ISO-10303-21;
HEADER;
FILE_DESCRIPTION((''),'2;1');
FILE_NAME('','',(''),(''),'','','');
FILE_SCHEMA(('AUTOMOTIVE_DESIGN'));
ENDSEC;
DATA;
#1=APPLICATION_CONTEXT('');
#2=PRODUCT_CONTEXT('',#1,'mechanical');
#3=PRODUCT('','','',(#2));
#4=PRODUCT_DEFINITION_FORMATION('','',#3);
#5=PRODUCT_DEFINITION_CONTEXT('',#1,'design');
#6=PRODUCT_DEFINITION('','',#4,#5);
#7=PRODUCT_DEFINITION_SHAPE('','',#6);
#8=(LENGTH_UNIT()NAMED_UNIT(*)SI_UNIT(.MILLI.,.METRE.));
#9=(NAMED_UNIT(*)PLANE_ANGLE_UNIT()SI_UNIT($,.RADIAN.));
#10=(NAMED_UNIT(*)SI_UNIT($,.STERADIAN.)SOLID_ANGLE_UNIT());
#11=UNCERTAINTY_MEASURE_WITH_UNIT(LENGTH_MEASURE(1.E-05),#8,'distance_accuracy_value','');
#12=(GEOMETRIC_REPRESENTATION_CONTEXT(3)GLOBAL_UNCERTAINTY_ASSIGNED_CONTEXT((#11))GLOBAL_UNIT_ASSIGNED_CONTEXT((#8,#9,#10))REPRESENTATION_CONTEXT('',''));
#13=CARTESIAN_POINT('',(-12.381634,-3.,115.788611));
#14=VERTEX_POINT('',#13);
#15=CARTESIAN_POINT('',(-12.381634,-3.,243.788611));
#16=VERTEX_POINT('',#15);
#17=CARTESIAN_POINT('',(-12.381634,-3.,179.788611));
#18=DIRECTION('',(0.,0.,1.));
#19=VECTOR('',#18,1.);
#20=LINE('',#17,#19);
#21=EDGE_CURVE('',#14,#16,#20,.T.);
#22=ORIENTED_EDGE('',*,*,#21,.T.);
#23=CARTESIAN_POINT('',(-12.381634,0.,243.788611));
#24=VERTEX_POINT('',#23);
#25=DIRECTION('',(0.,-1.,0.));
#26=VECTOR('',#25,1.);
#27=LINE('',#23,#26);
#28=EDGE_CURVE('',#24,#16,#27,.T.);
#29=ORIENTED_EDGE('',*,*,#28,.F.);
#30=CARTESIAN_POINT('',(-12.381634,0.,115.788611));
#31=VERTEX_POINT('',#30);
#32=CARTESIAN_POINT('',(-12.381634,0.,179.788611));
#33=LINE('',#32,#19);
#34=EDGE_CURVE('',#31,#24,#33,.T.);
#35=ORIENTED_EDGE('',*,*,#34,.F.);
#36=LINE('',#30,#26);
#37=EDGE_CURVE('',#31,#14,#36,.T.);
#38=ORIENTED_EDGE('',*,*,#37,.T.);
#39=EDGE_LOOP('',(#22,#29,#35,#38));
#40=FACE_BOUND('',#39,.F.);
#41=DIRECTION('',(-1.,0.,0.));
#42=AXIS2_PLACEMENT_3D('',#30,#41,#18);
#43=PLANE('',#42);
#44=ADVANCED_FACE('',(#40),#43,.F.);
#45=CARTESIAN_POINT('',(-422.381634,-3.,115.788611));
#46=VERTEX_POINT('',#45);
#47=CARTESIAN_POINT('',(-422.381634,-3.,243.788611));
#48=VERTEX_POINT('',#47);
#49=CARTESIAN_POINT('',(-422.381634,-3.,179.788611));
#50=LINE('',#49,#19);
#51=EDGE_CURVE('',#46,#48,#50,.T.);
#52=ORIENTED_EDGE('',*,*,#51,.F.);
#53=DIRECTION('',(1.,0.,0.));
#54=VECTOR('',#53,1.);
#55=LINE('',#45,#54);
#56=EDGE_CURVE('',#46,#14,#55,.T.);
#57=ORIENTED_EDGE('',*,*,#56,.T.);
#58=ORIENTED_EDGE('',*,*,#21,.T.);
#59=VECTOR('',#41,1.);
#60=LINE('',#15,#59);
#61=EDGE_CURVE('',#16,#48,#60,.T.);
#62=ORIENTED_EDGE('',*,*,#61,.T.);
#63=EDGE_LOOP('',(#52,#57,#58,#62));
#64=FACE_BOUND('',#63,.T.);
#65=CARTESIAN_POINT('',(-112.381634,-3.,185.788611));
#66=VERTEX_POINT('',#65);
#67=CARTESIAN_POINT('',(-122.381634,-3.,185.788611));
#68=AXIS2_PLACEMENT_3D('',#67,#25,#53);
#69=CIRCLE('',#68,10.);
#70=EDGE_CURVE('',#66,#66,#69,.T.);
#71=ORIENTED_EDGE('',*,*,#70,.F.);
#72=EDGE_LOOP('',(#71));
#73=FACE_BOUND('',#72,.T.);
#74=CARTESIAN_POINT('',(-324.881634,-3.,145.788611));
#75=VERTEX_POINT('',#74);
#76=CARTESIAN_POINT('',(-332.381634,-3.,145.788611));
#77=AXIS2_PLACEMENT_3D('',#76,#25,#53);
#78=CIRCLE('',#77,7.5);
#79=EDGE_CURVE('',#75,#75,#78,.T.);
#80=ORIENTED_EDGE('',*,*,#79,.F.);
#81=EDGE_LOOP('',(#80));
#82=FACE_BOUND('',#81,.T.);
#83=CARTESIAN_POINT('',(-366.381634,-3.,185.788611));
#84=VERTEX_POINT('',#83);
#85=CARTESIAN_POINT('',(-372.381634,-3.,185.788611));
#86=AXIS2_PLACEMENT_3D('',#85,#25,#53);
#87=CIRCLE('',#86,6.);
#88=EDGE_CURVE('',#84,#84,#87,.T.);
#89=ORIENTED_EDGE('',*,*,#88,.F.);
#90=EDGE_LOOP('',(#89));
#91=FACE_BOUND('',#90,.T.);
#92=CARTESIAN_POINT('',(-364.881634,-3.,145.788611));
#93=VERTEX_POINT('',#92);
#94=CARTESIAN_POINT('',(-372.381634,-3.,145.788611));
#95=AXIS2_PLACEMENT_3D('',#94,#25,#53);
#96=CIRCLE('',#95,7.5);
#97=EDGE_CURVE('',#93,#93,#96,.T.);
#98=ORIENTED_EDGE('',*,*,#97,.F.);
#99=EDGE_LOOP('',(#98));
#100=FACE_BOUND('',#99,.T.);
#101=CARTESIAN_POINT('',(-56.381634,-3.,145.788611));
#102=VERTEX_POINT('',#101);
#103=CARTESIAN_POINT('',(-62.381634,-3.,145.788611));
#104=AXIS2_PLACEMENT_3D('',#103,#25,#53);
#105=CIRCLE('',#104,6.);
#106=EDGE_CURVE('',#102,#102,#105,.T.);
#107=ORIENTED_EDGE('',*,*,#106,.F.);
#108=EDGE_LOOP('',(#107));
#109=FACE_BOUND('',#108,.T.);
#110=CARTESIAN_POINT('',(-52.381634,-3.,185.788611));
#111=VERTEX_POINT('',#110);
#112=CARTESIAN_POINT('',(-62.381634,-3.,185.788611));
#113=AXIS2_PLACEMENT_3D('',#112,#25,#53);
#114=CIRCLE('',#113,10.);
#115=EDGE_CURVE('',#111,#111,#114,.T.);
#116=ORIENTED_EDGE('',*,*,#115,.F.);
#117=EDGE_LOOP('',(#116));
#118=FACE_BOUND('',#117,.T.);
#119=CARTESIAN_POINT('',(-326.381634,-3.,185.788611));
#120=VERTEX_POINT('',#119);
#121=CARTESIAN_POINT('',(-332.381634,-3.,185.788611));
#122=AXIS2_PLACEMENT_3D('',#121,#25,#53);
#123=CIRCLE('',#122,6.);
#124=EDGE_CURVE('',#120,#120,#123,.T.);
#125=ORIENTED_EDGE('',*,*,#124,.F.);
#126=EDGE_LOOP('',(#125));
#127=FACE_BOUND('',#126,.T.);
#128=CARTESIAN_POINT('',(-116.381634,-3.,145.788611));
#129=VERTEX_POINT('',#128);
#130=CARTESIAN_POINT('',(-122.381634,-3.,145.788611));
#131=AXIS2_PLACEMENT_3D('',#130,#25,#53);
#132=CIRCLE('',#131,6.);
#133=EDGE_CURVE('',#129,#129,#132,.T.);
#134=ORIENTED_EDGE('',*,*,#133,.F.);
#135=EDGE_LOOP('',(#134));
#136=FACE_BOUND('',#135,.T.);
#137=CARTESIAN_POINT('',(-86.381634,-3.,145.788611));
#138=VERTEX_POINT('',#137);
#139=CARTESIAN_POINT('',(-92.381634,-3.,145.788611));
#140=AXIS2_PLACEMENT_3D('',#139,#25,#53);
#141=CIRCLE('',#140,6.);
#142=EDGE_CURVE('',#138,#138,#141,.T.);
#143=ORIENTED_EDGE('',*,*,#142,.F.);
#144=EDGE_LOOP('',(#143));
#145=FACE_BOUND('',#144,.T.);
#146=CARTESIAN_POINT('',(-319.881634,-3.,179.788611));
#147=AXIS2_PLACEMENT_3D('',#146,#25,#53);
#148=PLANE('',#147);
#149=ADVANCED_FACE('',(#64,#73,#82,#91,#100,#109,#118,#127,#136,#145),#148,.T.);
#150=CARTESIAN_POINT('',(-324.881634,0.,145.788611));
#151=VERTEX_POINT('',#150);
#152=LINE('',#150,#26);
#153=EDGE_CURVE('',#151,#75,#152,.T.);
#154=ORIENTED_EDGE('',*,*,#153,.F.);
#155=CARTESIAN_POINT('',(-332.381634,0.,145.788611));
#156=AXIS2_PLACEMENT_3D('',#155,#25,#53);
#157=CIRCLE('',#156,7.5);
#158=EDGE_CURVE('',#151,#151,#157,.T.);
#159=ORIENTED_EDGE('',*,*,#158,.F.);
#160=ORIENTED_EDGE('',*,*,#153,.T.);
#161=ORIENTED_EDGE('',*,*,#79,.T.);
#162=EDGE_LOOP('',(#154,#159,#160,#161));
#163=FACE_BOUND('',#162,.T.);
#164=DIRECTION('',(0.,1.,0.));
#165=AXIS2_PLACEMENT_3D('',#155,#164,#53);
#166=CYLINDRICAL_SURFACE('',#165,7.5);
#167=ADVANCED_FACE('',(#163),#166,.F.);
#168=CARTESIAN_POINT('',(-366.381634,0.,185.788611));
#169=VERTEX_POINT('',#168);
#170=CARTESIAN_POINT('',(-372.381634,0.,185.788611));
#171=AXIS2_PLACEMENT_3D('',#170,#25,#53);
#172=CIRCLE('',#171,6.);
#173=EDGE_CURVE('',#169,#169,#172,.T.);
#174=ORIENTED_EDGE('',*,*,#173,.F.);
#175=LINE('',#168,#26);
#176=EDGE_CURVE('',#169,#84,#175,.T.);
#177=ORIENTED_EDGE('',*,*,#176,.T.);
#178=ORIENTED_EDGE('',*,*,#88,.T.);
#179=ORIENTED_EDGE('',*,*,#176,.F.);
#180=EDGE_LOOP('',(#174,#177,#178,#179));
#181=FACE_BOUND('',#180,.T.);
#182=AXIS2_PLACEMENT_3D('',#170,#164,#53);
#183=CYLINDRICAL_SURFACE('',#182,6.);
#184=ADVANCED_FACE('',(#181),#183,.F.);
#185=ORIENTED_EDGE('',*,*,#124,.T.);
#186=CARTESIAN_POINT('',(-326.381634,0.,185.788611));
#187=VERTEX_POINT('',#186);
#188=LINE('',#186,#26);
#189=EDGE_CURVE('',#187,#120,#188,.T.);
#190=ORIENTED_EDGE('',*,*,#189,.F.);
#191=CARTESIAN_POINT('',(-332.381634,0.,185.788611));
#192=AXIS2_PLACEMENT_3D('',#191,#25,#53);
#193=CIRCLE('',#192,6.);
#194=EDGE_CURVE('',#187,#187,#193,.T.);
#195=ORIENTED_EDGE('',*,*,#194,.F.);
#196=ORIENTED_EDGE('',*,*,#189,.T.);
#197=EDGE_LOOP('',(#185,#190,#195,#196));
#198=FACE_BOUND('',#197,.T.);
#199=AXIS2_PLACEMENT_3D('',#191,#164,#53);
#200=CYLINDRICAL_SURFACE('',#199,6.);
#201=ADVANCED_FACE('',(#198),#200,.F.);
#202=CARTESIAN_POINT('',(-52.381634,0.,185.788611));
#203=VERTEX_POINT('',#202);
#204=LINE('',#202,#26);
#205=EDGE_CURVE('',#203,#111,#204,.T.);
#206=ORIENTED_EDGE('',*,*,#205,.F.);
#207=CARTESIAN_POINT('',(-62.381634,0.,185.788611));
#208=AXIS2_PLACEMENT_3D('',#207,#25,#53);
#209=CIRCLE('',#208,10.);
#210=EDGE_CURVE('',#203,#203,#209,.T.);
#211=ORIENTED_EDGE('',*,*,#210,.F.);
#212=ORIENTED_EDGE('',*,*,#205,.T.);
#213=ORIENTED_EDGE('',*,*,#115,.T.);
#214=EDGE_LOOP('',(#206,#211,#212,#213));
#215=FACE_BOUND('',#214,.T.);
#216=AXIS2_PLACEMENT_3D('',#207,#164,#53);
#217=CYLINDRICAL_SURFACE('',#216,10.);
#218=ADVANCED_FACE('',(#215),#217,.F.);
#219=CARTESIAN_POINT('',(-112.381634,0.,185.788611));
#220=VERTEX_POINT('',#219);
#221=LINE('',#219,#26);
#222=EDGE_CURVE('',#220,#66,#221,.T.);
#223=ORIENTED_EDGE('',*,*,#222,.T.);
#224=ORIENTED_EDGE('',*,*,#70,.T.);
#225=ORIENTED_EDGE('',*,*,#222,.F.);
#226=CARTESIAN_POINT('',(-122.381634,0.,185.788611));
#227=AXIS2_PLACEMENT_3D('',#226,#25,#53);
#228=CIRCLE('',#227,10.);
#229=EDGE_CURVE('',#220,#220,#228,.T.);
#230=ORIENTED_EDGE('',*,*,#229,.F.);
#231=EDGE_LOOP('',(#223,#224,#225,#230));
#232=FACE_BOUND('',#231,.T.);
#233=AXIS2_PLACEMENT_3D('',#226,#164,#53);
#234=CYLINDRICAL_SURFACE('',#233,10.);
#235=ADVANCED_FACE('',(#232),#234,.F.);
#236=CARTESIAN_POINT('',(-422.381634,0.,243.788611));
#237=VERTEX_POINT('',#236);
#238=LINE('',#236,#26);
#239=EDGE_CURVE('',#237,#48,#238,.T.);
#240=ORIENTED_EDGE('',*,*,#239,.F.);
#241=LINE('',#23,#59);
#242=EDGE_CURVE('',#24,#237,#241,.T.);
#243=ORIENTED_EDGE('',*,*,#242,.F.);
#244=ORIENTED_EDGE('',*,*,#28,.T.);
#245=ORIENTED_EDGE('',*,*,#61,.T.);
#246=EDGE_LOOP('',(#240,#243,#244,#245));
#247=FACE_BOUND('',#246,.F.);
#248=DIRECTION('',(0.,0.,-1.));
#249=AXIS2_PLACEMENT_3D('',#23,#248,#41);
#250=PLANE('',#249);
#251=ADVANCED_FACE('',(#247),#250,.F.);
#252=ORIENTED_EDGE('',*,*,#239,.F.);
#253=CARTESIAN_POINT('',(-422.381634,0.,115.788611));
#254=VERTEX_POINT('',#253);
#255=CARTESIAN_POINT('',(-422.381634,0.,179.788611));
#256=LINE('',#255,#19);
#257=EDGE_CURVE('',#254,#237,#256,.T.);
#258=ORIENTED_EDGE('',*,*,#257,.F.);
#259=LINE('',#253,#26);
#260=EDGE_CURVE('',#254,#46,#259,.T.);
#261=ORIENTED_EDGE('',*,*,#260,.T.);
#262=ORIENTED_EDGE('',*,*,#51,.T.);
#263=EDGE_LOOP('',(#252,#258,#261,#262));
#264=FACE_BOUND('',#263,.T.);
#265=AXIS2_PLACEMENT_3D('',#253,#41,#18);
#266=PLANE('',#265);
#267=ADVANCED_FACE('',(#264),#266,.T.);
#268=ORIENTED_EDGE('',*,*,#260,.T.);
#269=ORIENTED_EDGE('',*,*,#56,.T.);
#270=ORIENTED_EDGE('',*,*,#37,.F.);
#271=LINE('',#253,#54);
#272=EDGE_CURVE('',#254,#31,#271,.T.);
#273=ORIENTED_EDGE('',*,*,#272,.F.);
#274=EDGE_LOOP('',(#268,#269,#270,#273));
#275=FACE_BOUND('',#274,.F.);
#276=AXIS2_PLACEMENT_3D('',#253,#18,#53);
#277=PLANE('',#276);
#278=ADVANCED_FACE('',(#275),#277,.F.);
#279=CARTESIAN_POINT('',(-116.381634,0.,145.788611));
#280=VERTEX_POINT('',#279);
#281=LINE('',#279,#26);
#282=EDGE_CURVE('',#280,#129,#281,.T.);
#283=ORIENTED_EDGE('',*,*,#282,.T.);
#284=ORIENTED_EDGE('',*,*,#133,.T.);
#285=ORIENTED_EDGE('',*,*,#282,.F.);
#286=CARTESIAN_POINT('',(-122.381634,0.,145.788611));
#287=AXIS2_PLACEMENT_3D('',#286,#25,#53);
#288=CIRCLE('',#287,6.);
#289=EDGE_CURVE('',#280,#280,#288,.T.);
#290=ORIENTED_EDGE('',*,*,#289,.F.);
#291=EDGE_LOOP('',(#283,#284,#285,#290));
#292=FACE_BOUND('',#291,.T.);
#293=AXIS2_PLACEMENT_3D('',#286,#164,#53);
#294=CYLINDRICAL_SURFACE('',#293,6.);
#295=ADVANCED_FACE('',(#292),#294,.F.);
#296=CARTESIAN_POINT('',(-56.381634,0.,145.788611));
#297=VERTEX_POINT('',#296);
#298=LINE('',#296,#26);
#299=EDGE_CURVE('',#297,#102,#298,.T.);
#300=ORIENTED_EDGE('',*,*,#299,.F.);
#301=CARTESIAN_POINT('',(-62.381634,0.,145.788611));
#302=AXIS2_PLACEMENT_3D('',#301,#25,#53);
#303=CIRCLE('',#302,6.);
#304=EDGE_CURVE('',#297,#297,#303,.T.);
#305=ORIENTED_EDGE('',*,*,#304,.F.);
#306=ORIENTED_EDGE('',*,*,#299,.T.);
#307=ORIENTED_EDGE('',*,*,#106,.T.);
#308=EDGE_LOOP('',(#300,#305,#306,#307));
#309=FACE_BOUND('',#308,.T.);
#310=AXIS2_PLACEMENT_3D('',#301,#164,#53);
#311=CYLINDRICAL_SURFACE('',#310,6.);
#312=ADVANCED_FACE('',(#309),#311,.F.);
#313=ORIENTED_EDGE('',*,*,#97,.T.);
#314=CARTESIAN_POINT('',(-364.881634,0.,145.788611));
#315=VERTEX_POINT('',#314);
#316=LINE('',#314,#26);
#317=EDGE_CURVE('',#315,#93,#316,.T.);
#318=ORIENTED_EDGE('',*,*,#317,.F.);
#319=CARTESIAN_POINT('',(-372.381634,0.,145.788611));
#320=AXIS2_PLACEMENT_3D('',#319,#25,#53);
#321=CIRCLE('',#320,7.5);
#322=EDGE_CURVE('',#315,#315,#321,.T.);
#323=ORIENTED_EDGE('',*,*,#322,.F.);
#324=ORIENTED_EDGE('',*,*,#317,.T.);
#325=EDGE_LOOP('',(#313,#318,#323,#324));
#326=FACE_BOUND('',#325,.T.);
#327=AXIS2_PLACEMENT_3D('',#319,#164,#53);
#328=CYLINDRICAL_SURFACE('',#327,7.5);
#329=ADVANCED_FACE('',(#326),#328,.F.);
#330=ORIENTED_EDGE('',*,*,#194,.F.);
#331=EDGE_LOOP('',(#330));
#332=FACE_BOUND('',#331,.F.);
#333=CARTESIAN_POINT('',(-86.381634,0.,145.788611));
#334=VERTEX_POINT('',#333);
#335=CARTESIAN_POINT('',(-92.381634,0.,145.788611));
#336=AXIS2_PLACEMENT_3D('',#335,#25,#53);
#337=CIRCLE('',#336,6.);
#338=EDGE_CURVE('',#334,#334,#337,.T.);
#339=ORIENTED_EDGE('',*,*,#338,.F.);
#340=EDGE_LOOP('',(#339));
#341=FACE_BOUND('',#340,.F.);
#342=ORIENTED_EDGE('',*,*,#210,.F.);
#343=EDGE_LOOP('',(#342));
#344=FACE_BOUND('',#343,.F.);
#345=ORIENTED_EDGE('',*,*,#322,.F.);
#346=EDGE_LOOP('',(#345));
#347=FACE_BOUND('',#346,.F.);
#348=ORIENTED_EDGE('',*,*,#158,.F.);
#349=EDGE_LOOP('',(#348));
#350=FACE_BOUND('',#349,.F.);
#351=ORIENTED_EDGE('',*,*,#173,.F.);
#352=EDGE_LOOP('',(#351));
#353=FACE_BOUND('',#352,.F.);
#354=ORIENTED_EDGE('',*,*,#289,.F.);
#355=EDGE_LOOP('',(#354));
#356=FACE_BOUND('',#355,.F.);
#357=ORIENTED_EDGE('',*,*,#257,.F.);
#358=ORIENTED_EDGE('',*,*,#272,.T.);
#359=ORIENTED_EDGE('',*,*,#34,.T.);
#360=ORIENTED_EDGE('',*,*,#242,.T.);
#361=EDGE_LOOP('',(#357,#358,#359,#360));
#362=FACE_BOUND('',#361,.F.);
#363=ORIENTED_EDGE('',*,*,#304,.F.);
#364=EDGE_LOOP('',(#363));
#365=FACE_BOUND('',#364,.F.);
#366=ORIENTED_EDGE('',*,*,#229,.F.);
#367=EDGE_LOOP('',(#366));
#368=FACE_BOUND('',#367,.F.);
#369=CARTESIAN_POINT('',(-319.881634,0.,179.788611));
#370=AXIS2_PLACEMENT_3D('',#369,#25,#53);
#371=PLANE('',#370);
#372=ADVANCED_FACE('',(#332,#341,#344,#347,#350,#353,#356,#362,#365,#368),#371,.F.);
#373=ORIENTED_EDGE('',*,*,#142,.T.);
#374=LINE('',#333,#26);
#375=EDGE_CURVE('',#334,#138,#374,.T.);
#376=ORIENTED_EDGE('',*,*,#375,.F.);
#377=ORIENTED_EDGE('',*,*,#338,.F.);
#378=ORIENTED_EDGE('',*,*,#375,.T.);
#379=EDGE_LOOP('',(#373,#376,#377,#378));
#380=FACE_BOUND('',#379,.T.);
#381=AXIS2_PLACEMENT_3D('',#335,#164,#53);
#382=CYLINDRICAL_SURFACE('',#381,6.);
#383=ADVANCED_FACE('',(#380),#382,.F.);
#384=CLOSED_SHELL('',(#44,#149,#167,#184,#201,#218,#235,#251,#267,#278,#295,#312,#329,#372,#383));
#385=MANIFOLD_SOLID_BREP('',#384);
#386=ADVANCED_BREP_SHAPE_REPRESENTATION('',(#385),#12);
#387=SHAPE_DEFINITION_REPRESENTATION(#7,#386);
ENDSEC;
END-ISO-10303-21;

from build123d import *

# Parameters (mm, degrees)
F0_W     = 205
F0_H     = 128
F0_R     = 7.5
F0_R_2   = 6
F0_R_3   = 10
F1_DEPTH = 3


with BuildPart() as f1:
    # F0 (on Front) → F1 (new body)
    with BuildSketch(Plane.XZ):
        with Locations((-319.881634, 179.788611)):
            Rectangle(F0_W, F0_H)
        with Locations((-372.381634, 145.788611)):
            Circle(F0_R, mode=Mode.SUBTRACT)
        with Locations((-332.381634, 145.788611)):
            Circle(F0_R, mode=Mode.SUBTRACT)
        with Locations((-372.381634, 185.788611)):
            Circle(F0_R_2, mode=Mode.SUBTRACT)
        with Locations((-332.381634, 185.788611)):
            Circle(F0_R_2, mode=Mode.SUBTRACT)
        with Locations((-114.881634, 179.788611)):
            Rectangle(F0_W, F0_H)
        with Locations((-122.381634, 145.788611)):
            Circle(F0_R_2, mode=Mode.SUBTRACT)
        with Locations((-92.381634, 145.788611)):
            Circle(F0_R_2, mode=Mode.SUBTRACT)
        with Locations((-62.381634, 145.788611)):
            Circle(F0_R_2, mode=Mode.SUBTRACT)
        with Locations((-122.381634, 185.788611)):
            Circle(F0_R_3, mode=Mode.SUBTRACT)
        with Locations((-62.381634, 185.788611)):
            Circle(F0_R_3, mode=Mode.SUBTRACT)
    extrude(amount=F1_DEPTH)


solid = f1.part
